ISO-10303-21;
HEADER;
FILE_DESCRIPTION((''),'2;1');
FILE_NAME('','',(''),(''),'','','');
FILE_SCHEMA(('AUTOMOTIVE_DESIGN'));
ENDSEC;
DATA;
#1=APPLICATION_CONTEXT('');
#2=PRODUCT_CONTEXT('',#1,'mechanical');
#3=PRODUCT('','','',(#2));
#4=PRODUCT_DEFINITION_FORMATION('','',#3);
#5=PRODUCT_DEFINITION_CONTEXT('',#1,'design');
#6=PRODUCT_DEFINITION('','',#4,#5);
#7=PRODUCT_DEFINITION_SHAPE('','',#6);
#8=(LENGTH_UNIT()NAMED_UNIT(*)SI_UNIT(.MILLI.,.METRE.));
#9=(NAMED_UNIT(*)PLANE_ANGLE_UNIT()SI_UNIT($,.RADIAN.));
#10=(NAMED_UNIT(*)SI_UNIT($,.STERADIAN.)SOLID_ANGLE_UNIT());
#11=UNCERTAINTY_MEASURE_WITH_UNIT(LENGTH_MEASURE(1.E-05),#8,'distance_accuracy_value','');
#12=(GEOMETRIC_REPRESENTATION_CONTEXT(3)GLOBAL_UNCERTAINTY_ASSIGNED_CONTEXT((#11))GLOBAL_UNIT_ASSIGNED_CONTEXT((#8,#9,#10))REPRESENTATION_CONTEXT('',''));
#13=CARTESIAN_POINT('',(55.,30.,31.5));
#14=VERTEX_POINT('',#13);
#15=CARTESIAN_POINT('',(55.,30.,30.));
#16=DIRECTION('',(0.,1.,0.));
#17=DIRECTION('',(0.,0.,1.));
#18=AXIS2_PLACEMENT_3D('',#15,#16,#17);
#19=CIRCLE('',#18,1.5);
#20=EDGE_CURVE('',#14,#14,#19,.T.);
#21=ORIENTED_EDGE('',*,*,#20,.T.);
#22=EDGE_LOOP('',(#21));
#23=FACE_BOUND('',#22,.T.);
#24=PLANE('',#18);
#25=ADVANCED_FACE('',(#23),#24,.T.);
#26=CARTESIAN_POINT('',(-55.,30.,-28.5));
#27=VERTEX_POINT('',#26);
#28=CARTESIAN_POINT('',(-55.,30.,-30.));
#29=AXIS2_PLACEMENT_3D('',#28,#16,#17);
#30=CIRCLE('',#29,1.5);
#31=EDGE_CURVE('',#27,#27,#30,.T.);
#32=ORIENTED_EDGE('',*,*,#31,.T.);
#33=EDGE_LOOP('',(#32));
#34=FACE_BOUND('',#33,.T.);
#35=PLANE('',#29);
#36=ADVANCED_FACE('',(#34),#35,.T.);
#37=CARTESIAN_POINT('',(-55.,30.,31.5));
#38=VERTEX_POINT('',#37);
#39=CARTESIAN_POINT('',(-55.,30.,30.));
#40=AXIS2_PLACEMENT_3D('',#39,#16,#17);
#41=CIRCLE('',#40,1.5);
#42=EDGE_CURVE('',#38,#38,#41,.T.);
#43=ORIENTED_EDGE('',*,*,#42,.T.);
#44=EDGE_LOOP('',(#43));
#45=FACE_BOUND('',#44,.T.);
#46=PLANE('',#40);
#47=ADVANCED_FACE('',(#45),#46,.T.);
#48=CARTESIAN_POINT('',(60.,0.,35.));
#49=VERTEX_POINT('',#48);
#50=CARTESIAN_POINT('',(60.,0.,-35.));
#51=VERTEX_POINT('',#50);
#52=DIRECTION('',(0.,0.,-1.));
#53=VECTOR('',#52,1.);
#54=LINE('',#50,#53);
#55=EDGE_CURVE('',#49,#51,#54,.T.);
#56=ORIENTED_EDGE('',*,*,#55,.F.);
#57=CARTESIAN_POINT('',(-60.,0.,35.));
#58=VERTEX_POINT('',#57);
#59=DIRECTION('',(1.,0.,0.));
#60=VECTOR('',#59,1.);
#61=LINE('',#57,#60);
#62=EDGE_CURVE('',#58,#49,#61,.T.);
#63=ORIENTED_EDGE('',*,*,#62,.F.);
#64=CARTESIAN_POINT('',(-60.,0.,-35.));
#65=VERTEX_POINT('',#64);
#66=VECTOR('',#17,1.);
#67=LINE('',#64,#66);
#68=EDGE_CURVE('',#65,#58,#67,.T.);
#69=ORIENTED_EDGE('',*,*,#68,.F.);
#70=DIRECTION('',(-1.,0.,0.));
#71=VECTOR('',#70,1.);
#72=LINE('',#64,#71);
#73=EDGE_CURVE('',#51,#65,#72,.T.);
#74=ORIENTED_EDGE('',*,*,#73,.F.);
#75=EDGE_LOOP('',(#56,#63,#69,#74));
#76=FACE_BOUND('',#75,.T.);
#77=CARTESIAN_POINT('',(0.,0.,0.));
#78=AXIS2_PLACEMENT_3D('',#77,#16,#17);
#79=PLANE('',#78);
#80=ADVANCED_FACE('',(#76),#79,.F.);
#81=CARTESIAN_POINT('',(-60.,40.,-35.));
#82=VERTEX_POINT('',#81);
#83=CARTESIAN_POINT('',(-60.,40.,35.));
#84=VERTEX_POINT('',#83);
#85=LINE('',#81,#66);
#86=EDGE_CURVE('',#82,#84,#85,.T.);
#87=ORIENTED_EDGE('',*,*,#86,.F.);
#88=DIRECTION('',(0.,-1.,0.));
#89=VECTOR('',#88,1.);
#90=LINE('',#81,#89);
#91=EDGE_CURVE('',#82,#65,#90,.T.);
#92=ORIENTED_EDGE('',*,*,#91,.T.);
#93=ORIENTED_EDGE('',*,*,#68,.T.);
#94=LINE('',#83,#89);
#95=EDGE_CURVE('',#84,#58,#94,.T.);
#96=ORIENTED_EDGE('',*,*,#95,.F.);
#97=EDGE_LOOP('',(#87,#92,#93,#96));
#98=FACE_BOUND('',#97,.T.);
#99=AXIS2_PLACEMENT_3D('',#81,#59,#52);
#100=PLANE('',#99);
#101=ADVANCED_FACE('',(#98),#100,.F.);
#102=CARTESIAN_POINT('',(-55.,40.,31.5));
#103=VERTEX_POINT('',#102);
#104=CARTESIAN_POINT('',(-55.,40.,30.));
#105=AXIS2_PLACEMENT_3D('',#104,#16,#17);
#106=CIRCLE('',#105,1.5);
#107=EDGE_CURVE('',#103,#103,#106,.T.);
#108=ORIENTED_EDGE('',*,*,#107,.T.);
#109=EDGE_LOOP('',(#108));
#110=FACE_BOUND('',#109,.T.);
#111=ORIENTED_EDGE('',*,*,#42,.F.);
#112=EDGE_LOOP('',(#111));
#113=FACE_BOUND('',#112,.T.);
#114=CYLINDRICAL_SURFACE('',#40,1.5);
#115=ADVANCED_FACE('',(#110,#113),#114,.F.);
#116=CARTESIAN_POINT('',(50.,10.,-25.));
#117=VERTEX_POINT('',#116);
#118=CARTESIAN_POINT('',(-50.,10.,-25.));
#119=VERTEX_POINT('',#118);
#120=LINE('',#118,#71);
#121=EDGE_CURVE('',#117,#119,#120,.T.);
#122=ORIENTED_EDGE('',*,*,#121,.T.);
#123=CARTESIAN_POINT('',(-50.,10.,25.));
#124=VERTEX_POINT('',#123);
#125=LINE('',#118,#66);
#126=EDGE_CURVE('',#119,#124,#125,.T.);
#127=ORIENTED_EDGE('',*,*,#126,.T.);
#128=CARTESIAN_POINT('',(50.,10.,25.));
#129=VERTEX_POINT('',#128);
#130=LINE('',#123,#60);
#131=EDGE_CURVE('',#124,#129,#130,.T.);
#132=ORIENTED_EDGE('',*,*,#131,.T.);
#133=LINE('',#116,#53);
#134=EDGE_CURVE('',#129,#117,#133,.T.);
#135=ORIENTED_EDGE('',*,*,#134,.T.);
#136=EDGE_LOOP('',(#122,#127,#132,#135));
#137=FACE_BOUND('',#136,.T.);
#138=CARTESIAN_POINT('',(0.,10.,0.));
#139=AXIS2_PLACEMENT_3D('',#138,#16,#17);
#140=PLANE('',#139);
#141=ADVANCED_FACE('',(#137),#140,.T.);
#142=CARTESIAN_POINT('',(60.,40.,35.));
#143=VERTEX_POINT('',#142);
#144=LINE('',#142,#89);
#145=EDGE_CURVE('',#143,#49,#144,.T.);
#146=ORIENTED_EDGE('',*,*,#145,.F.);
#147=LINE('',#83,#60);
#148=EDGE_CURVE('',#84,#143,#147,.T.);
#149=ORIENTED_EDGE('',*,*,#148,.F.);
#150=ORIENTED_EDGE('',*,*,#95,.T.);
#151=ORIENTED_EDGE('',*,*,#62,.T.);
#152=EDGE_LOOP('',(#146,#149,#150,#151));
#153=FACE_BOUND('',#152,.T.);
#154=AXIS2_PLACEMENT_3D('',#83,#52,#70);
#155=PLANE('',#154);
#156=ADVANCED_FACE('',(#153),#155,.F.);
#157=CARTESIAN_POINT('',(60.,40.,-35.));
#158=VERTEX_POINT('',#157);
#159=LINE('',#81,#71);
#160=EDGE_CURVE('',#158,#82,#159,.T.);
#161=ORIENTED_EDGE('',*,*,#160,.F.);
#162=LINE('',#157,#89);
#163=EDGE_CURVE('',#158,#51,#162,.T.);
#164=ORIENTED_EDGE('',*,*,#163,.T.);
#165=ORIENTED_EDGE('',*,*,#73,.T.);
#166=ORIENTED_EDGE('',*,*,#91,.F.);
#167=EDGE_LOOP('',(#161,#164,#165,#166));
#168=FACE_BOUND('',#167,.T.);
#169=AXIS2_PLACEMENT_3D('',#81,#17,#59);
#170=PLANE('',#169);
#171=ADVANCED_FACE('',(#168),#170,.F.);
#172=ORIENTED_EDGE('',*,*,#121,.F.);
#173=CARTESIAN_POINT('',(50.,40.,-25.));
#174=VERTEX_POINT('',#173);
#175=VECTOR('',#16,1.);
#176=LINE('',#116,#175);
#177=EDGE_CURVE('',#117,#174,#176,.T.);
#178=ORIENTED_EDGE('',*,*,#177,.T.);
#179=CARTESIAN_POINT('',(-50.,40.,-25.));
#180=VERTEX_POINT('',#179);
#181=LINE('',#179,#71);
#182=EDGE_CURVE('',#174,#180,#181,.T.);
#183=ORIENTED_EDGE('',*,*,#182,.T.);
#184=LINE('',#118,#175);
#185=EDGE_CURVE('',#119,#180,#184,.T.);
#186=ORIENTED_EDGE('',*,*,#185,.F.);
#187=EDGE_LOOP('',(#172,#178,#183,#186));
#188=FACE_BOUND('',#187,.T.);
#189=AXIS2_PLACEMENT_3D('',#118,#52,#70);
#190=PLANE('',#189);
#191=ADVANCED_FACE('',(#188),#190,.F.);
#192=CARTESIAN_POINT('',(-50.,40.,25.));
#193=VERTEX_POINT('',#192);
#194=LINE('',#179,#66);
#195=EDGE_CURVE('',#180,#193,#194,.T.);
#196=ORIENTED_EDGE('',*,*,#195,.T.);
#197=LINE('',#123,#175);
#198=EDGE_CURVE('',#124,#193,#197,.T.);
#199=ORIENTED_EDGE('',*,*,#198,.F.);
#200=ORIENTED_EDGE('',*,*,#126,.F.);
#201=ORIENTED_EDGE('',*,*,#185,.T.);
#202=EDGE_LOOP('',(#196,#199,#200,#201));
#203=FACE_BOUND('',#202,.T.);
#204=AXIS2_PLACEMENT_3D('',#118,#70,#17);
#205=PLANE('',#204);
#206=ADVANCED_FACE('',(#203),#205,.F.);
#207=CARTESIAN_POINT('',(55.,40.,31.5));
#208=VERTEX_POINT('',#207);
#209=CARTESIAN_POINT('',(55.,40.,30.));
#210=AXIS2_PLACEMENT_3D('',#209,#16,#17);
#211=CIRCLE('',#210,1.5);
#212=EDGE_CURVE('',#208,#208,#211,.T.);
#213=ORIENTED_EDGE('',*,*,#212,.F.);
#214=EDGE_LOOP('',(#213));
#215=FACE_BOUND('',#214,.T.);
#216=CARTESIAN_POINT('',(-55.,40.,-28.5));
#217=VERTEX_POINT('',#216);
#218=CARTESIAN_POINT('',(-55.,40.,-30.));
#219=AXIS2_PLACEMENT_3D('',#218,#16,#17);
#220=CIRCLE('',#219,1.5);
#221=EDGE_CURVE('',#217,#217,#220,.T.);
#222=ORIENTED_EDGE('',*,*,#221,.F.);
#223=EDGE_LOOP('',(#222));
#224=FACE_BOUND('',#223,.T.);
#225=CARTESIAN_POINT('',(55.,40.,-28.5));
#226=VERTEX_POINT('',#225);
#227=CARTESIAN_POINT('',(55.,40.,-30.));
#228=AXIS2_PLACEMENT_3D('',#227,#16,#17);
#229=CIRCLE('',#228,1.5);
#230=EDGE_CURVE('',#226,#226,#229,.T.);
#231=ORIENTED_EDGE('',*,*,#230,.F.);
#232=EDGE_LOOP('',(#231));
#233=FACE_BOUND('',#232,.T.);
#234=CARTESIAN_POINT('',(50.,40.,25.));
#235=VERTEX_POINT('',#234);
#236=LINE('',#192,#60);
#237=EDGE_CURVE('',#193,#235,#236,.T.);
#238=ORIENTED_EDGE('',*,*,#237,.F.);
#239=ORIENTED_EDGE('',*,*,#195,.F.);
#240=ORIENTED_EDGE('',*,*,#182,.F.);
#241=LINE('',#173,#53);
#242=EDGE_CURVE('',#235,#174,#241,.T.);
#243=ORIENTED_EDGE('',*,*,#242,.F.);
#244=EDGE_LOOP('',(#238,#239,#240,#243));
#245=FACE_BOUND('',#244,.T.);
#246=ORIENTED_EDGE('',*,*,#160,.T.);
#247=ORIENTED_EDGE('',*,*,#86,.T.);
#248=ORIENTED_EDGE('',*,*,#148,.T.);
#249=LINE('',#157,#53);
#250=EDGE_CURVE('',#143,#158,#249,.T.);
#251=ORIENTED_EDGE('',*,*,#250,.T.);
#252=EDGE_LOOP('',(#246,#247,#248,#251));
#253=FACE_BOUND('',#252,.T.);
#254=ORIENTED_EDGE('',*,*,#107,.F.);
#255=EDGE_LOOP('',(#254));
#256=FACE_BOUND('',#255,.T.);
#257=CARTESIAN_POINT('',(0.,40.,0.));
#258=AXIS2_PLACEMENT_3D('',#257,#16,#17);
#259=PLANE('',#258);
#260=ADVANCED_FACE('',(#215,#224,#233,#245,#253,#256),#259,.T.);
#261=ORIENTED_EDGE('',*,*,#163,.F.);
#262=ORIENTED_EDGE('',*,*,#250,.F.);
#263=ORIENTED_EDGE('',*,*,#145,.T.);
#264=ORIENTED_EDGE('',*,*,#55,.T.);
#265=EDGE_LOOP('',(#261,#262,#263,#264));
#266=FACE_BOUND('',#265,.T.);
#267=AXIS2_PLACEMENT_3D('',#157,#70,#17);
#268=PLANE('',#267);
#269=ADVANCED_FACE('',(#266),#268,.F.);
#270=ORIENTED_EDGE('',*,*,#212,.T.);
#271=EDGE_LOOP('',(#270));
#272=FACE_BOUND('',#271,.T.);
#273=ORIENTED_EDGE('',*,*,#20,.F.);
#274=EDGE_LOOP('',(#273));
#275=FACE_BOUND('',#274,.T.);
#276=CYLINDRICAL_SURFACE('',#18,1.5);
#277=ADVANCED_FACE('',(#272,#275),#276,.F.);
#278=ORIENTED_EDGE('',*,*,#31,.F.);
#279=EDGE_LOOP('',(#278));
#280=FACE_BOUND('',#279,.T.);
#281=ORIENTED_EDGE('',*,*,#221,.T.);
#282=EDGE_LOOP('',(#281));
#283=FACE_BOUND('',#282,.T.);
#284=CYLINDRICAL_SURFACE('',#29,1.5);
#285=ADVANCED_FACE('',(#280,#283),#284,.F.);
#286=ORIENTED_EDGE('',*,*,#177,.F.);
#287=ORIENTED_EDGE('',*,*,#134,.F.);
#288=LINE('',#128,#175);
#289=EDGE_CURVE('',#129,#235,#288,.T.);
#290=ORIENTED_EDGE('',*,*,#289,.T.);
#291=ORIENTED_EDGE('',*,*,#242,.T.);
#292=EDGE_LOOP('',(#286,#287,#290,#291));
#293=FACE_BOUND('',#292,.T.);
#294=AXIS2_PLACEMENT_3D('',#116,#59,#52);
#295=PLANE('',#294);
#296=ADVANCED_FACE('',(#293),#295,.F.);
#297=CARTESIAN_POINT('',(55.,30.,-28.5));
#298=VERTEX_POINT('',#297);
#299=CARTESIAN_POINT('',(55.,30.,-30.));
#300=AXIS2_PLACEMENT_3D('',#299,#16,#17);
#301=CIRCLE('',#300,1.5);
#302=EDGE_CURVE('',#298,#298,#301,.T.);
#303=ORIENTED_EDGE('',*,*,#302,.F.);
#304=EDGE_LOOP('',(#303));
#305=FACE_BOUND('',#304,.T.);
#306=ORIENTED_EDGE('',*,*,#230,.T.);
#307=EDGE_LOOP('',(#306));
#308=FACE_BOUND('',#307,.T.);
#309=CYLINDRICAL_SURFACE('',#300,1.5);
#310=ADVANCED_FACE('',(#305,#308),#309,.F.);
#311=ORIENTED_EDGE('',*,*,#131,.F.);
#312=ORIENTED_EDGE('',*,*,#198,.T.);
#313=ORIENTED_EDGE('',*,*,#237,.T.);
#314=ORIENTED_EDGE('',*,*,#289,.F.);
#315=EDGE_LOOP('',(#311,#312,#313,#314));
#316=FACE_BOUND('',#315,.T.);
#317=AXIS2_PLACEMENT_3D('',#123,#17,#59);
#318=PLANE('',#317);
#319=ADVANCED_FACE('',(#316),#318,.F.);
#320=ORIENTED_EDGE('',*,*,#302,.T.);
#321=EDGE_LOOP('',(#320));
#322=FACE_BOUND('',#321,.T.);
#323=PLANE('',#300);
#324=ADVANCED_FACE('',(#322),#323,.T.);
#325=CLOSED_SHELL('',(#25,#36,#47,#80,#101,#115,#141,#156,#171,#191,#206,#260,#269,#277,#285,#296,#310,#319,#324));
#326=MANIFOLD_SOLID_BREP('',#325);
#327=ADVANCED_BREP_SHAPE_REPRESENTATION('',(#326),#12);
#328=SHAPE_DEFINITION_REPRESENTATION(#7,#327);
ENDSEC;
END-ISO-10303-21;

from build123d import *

# Parameters (mm, degrees)
CROQUIS1_W              = 120
CROQUIS1_H              = 70
SALIENTE_EXTRUIR1_DEPTH = 40
CROQUIS2_W              = 100
CROQUIS2_H              = 50
CORTAR_EXTRUIR1_DEPTH   = 30
CROQUIS3_R              = 1.5
CORTAR_EXTRUIR2_DEPTH   = 10


with BuildPart() as part:
    # Croquis1 → Saliente-Extruir1 (new body)
    with BuildSketch(Plane(origin=(0, 0, 0), x_dir=(1, 0, 0), z_dir=(0, 1, 0))):
        Rectangle(CROQUIS1_W, CROQUIS1_H)
    extrude(amount=SALIENTE_EXTRUIR1_DEPTH)

    # Croquis2 → Cortar-Extruir1 (cut)
    with BuildSketch(Plane(origin=(0, 40, 0), x_dir=(1, 0, 0), z_dir=(0, 1, 0))):
        Rectangle(CROQUIS2_W, CROQUIS2_H)
    extrude(amount=-CORTAR_EXTRUIR1_DEPTH, mode=Mode.SUBTRACT)

    # Croquis3 → Cortar-Extruir2 (cut)
    with BuildSketch(Plane(origin=(0, 40, 0), x_dir=(1, 0, 0), z_dir=(0, 1, 0))):
        with Locations(Location((-55, -30, 0), (0, 0, 270))):
            Circle(CROQUIS3_R)
        with Locations(Location((-55, 30, 0), (0, 0, 270))):
            Circle(CROQUIS3_R)
        with Locations(Location((55, 30, 0), (0, 0, 270))):
            Circle(CROQUIS3_R)
        with Locations(Location((55, -30, 0), (0, 0, 270))):
            Circle(CROQUIS3_R)
    extrude(amount=-CORTAR_EXTRUIR2_DEPTH, mode=Mode.SUBTRACT)


solid = part.part
